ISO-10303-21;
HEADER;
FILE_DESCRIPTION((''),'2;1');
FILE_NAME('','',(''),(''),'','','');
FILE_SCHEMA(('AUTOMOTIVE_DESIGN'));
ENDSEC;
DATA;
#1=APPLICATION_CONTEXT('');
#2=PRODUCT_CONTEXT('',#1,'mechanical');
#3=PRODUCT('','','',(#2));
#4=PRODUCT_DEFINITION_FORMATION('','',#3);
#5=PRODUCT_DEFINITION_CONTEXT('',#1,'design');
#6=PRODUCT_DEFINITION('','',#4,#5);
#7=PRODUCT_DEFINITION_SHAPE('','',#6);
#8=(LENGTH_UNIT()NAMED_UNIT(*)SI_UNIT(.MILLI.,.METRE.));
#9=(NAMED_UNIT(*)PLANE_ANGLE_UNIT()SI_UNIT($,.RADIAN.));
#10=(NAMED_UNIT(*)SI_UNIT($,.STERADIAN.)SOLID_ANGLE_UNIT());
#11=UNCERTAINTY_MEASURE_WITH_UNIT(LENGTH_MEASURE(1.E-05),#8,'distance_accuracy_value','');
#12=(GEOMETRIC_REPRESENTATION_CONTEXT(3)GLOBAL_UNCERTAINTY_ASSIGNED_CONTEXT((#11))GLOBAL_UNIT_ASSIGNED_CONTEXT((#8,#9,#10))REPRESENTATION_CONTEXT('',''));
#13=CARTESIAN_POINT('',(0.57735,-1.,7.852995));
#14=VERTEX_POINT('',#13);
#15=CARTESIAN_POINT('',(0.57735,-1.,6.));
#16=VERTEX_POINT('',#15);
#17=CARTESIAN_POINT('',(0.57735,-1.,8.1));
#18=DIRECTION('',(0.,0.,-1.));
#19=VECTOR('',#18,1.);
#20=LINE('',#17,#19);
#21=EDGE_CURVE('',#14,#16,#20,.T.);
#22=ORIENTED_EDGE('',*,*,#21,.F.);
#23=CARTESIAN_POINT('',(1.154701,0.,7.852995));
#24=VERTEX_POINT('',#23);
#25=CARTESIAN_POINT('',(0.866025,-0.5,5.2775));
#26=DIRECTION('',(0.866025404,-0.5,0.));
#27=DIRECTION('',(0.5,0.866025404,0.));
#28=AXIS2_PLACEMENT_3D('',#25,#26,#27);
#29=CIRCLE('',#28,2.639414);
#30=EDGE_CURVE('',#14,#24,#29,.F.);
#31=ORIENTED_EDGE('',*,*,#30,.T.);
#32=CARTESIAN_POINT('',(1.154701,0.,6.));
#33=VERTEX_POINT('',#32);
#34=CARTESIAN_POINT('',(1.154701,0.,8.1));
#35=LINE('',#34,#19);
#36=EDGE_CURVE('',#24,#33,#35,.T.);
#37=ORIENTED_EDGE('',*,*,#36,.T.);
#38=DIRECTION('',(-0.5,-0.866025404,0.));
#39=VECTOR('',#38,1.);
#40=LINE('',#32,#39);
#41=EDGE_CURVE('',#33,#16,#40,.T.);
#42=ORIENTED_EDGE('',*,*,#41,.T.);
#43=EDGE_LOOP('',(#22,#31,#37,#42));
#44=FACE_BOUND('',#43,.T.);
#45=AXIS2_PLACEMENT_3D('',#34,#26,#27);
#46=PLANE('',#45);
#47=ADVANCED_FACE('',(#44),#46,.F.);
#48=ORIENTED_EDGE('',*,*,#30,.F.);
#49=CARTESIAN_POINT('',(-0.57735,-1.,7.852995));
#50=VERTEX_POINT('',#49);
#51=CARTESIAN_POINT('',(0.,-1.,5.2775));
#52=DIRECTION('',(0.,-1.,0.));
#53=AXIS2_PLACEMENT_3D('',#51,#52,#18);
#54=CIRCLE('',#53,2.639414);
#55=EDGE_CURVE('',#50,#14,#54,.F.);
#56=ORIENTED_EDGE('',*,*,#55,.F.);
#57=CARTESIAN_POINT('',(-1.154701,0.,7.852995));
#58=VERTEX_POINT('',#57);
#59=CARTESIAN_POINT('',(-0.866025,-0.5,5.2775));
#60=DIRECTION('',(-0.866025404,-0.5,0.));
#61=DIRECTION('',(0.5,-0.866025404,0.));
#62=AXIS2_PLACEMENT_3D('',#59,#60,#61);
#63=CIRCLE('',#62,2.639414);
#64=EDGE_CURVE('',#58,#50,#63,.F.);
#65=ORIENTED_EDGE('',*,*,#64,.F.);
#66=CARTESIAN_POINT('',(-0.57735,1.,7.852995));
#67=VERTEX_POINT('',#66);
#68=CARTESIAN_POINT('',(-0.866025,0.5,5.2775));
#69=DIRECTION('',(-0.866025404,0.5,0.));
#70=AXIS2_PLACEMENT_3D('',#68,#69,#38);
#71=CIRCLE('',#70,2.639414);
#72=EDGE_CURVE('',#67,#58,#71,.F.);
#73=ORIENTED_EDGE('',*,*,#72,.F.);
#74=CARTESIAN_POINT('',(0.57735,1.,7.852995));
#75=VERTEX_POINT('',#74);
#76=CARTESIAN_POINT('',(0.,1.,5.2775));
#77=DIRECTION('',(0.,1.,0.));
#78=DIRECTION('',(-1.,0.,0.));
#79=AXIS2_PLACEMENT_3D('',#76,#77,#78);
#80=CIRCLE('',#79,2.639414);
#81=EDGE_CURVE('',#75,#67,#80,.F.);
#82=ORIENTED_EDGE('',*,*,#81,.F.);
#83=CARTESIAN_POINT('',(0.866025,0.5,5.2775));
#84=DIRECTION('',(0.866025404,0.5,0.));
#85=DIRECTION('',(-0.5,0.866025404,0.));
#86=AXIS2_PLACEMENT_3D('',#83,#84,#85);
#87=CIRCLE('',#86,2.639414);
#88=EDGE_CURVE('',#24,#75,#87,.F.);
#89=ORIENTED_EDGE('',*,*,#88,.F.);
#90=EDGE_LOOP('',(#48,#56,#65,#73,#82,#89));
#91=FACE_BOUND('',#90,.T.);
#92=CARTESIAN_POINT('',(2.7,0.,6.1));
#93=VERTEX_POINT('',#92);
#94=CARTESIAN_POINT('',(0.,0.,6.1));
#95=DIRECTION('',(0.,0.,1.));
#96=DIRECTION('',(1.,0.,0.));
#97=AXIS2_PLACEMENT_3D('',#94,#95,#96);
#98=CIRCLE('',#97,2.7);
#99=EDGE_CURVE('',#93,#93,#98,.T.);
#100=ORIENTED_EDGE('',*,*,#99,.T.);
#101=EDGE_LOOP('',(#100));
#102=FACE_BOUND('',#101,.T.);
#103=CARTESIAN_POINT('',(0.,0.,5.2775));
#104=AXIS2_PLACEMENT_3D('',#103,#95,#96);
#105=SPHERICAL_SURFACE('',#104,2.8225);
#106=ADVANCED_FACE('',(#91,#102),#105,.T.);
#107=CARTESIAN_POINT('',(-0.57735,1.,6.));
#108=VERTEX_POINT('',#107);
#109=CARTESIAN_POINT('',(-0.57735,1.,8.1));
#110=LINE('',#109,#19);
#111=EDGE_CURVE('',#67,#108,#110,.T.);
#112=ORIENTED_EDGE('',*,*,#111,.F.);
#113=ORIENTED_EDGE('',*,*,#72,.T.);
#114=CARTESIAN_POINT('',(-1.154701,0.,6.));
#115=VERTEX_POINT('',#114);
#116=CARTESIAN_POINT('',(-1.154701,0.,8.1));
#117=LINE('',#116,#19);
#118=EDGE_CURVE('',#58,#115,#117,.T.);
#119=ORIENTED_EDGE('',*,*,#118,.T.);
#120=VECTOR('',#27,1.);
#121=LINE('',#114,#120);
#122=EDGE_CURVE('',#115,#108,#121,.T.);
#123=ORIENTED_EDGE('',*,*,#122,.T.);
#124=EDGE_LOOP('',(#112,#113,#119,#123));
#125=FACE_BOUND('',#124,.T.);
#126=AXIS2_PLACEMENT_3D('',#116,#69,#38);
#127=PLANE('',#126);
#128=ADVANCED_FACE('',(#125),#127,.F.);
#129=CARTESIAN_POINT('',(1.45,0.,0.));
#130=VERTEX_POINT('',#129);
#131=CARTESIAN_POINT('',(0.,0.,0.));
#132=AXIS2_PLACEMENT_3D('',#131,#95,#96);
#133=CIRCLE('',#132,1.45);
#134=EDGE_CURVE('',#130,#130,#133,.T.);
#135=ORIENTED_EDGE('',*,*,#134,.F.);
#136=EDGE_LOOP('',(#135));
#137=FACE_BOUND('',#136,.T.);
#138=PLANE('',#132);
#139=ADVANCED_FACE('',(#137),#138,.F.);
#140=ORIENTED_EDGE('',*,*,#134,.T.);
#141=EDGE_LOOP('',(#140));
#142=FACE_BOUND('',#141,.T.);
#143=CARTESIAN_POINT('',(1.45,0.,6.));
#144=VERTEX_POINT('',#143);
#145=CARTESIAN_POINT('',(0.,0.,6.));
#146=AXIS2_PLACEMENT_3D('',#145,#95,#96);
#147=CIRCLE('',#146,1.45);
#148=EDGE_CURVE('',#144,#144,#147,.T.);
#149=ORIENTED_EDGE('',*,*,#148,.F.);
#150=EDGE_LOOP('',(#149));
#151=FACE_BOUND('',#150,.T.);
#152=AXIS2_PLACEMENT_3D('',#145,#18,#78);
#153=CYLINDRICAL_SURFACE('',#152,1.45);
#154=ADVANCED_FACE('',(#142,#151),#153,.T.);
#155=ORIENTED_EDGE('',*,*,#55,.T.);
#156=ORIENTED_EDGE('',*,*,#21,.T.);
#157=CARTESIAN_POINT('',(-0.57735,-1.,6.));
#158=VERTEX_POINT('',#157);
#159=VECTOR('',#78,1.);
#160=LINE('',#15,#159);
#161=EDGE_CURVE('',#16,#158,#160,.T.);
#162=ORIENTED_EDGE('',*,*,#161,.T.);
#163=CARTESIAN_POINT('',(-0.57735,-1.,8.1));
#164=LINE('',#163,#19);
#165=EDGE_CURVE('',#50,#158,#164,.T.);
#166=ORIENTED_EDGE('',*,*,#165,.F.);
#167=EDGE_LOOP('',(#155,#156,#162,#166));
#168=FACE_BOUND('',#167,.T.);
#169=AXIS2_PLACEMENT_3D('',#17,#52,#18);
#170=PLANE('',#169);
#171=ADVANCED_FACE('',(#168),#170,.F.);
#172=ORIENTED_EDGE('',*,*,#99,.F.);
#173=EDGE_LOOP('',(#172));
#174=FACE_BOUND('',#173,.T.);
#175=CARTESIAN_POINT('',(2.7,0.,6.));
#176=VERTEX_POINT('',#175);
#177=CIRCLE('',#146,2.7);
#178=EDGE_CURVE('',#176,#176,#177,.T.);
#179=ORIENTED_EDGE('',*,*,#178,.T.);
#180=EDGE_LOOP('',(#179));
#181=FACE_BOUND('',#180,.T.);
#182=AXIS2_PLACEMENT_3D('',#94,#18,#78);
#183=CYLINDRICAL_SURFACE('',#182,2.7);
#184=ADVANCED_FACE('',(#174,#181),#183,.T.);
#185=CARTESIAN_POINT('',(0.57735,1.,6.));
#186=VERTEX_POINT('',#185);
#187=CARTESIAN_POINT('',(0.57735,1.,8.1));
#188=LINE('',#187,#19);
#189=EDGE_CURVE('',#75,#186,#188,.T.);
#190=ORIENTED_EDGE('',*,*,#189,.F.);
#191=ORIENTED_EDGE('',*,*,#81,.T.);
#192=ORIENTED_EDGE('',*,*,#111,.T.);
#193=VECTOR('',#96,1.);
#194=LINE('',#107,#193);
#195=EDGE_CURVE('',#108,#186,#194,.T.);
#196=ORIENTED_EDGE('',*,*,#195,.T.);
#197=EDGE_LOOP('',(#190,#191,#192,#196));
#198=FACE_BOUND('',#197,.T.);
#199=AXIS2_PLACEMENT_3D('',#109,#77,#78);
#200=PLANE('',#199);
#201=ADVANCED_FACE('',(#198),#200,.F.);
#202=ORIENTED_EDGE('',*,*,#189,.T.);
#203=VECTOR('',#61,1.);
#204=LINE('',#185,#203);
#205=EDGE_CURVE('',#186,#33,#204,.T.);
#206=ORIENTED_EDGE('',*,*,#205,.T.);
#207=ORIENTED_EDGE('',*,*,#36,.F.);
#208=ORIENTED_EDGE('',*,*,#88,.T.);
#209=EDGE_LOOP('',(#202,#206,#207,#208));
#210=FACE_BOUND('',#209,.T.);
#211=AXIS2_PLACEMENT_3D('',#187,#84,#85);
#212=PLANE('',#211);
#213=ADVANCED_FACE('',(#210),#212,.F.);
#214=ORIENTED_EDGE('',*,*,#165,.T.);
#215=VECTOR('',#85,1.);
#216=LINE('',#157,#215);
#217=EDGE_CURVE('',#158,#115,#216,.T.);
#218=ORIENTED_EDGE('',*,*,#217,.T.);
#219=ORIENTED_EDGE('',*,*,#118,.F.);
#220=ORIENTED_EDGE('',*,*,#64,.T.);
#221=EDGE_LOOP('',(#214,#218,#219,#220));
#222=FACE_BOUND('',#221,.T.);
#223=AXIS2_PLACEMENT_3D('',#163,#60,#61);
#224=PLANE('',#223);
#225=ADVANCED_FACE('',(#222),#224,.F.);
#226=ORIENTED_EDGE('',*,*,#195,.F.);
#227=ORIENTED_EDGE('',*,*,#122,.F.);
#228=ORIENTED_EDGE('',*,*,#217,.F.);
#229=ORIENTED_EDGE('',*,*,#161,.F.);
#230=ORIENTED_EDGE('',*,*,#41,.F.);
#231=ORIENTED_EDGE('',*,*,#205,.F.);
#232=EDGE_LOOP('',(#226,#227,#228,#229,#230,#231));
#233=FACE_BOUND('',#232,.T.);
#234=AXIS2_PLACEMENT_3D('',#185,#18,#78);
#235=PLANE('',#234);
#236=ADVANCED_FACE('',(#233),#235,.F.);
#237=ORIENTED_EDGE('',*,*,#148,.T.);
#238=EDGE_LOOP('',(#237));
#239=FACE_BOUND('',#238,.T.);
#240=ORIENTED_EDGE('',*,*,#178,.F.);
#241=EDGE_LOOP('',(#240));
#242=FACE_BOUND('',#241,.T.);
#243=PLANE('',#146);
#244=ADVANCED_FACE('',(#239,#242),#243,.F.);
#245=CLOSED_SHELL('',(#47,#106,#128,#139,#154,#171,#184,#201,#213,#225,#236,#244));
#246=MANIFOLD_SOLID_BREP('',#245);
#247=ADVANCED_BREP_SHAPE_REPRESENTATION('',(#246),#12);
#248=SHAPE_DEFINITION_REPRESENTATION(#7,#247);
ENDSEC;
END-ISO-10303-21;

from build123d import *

# Parameters (mm, degrees)
SKETCH1_R           = 1.45
BOSS_EXTRUDE1_DEPTH = 6
SKETCH2_R           = 2.7
BOSS_EXTRUDE2_DEPTH = 0.1
DOME1_FACE_RADIUS   = 2.7
DOME1_HEIGHT        = 2
CUT_EXTRUDE1_DEPTH  = 3.1


with BuildPart() as part:
    # Sketch1 → Boss-Extrude1 (new body)
    with BuildSketch(Plane.XY):
        Circle(SKETCH1_R)
    extrude(amount=BOSS_EXTRUDE1_DEPTH)

    # Sketch2 → Boss-Extrude2 (add)
    with BuildSketch(Plane.XY.offset(6)):
        Circle(SKETCH2_R)
    extrude(amount=BOSS_EXTRUDE2_DEPTH)

    # Dome1: a dome of height H over a round flat face of radius A is a cap of a sphere of radius (A * A + H * H) / (2 * H)
    dome1_r = (DOME1_FACE_RADIUS * DOME1_FACE_RADIUS + DOME1_HEIGHT * DOME1_HEIGHT) / (2 * DOME1_HEIGHT)
    dome1_base = Plane((0, 0, 6.1), z_dir=(0, 0, 1))
    with Locations(dome1_base.offset(DOME1_HEIGHT - dome1_r)):
        dome1_ball = Sphere(dome1_r, mode=Mode.PRIVATE)
    add(split(dome1_ball, bisect_by=dome1_base, keep=Keep.TOP, mode=Mode.PRIVATE))

    # Sketch3 → Cut-Extrude1 (cut, through all)
    with BuildSketch(Plane(origin=(0, 0, 6), x_dir=(-1, 0, 0), z_dir=(0, 0, -1))):
        Polygon((-0.577350269, 1), (-1.154700538, 0), (-0.577350269, -1), (0.577350269, -1), (1.154700538, 0), (0.577350269, 1), align=None)
    extrude(amount=-CUT_EXTRUDE1_DEPTH, mode=Mode.SUBTRACT)


solid = part.part
